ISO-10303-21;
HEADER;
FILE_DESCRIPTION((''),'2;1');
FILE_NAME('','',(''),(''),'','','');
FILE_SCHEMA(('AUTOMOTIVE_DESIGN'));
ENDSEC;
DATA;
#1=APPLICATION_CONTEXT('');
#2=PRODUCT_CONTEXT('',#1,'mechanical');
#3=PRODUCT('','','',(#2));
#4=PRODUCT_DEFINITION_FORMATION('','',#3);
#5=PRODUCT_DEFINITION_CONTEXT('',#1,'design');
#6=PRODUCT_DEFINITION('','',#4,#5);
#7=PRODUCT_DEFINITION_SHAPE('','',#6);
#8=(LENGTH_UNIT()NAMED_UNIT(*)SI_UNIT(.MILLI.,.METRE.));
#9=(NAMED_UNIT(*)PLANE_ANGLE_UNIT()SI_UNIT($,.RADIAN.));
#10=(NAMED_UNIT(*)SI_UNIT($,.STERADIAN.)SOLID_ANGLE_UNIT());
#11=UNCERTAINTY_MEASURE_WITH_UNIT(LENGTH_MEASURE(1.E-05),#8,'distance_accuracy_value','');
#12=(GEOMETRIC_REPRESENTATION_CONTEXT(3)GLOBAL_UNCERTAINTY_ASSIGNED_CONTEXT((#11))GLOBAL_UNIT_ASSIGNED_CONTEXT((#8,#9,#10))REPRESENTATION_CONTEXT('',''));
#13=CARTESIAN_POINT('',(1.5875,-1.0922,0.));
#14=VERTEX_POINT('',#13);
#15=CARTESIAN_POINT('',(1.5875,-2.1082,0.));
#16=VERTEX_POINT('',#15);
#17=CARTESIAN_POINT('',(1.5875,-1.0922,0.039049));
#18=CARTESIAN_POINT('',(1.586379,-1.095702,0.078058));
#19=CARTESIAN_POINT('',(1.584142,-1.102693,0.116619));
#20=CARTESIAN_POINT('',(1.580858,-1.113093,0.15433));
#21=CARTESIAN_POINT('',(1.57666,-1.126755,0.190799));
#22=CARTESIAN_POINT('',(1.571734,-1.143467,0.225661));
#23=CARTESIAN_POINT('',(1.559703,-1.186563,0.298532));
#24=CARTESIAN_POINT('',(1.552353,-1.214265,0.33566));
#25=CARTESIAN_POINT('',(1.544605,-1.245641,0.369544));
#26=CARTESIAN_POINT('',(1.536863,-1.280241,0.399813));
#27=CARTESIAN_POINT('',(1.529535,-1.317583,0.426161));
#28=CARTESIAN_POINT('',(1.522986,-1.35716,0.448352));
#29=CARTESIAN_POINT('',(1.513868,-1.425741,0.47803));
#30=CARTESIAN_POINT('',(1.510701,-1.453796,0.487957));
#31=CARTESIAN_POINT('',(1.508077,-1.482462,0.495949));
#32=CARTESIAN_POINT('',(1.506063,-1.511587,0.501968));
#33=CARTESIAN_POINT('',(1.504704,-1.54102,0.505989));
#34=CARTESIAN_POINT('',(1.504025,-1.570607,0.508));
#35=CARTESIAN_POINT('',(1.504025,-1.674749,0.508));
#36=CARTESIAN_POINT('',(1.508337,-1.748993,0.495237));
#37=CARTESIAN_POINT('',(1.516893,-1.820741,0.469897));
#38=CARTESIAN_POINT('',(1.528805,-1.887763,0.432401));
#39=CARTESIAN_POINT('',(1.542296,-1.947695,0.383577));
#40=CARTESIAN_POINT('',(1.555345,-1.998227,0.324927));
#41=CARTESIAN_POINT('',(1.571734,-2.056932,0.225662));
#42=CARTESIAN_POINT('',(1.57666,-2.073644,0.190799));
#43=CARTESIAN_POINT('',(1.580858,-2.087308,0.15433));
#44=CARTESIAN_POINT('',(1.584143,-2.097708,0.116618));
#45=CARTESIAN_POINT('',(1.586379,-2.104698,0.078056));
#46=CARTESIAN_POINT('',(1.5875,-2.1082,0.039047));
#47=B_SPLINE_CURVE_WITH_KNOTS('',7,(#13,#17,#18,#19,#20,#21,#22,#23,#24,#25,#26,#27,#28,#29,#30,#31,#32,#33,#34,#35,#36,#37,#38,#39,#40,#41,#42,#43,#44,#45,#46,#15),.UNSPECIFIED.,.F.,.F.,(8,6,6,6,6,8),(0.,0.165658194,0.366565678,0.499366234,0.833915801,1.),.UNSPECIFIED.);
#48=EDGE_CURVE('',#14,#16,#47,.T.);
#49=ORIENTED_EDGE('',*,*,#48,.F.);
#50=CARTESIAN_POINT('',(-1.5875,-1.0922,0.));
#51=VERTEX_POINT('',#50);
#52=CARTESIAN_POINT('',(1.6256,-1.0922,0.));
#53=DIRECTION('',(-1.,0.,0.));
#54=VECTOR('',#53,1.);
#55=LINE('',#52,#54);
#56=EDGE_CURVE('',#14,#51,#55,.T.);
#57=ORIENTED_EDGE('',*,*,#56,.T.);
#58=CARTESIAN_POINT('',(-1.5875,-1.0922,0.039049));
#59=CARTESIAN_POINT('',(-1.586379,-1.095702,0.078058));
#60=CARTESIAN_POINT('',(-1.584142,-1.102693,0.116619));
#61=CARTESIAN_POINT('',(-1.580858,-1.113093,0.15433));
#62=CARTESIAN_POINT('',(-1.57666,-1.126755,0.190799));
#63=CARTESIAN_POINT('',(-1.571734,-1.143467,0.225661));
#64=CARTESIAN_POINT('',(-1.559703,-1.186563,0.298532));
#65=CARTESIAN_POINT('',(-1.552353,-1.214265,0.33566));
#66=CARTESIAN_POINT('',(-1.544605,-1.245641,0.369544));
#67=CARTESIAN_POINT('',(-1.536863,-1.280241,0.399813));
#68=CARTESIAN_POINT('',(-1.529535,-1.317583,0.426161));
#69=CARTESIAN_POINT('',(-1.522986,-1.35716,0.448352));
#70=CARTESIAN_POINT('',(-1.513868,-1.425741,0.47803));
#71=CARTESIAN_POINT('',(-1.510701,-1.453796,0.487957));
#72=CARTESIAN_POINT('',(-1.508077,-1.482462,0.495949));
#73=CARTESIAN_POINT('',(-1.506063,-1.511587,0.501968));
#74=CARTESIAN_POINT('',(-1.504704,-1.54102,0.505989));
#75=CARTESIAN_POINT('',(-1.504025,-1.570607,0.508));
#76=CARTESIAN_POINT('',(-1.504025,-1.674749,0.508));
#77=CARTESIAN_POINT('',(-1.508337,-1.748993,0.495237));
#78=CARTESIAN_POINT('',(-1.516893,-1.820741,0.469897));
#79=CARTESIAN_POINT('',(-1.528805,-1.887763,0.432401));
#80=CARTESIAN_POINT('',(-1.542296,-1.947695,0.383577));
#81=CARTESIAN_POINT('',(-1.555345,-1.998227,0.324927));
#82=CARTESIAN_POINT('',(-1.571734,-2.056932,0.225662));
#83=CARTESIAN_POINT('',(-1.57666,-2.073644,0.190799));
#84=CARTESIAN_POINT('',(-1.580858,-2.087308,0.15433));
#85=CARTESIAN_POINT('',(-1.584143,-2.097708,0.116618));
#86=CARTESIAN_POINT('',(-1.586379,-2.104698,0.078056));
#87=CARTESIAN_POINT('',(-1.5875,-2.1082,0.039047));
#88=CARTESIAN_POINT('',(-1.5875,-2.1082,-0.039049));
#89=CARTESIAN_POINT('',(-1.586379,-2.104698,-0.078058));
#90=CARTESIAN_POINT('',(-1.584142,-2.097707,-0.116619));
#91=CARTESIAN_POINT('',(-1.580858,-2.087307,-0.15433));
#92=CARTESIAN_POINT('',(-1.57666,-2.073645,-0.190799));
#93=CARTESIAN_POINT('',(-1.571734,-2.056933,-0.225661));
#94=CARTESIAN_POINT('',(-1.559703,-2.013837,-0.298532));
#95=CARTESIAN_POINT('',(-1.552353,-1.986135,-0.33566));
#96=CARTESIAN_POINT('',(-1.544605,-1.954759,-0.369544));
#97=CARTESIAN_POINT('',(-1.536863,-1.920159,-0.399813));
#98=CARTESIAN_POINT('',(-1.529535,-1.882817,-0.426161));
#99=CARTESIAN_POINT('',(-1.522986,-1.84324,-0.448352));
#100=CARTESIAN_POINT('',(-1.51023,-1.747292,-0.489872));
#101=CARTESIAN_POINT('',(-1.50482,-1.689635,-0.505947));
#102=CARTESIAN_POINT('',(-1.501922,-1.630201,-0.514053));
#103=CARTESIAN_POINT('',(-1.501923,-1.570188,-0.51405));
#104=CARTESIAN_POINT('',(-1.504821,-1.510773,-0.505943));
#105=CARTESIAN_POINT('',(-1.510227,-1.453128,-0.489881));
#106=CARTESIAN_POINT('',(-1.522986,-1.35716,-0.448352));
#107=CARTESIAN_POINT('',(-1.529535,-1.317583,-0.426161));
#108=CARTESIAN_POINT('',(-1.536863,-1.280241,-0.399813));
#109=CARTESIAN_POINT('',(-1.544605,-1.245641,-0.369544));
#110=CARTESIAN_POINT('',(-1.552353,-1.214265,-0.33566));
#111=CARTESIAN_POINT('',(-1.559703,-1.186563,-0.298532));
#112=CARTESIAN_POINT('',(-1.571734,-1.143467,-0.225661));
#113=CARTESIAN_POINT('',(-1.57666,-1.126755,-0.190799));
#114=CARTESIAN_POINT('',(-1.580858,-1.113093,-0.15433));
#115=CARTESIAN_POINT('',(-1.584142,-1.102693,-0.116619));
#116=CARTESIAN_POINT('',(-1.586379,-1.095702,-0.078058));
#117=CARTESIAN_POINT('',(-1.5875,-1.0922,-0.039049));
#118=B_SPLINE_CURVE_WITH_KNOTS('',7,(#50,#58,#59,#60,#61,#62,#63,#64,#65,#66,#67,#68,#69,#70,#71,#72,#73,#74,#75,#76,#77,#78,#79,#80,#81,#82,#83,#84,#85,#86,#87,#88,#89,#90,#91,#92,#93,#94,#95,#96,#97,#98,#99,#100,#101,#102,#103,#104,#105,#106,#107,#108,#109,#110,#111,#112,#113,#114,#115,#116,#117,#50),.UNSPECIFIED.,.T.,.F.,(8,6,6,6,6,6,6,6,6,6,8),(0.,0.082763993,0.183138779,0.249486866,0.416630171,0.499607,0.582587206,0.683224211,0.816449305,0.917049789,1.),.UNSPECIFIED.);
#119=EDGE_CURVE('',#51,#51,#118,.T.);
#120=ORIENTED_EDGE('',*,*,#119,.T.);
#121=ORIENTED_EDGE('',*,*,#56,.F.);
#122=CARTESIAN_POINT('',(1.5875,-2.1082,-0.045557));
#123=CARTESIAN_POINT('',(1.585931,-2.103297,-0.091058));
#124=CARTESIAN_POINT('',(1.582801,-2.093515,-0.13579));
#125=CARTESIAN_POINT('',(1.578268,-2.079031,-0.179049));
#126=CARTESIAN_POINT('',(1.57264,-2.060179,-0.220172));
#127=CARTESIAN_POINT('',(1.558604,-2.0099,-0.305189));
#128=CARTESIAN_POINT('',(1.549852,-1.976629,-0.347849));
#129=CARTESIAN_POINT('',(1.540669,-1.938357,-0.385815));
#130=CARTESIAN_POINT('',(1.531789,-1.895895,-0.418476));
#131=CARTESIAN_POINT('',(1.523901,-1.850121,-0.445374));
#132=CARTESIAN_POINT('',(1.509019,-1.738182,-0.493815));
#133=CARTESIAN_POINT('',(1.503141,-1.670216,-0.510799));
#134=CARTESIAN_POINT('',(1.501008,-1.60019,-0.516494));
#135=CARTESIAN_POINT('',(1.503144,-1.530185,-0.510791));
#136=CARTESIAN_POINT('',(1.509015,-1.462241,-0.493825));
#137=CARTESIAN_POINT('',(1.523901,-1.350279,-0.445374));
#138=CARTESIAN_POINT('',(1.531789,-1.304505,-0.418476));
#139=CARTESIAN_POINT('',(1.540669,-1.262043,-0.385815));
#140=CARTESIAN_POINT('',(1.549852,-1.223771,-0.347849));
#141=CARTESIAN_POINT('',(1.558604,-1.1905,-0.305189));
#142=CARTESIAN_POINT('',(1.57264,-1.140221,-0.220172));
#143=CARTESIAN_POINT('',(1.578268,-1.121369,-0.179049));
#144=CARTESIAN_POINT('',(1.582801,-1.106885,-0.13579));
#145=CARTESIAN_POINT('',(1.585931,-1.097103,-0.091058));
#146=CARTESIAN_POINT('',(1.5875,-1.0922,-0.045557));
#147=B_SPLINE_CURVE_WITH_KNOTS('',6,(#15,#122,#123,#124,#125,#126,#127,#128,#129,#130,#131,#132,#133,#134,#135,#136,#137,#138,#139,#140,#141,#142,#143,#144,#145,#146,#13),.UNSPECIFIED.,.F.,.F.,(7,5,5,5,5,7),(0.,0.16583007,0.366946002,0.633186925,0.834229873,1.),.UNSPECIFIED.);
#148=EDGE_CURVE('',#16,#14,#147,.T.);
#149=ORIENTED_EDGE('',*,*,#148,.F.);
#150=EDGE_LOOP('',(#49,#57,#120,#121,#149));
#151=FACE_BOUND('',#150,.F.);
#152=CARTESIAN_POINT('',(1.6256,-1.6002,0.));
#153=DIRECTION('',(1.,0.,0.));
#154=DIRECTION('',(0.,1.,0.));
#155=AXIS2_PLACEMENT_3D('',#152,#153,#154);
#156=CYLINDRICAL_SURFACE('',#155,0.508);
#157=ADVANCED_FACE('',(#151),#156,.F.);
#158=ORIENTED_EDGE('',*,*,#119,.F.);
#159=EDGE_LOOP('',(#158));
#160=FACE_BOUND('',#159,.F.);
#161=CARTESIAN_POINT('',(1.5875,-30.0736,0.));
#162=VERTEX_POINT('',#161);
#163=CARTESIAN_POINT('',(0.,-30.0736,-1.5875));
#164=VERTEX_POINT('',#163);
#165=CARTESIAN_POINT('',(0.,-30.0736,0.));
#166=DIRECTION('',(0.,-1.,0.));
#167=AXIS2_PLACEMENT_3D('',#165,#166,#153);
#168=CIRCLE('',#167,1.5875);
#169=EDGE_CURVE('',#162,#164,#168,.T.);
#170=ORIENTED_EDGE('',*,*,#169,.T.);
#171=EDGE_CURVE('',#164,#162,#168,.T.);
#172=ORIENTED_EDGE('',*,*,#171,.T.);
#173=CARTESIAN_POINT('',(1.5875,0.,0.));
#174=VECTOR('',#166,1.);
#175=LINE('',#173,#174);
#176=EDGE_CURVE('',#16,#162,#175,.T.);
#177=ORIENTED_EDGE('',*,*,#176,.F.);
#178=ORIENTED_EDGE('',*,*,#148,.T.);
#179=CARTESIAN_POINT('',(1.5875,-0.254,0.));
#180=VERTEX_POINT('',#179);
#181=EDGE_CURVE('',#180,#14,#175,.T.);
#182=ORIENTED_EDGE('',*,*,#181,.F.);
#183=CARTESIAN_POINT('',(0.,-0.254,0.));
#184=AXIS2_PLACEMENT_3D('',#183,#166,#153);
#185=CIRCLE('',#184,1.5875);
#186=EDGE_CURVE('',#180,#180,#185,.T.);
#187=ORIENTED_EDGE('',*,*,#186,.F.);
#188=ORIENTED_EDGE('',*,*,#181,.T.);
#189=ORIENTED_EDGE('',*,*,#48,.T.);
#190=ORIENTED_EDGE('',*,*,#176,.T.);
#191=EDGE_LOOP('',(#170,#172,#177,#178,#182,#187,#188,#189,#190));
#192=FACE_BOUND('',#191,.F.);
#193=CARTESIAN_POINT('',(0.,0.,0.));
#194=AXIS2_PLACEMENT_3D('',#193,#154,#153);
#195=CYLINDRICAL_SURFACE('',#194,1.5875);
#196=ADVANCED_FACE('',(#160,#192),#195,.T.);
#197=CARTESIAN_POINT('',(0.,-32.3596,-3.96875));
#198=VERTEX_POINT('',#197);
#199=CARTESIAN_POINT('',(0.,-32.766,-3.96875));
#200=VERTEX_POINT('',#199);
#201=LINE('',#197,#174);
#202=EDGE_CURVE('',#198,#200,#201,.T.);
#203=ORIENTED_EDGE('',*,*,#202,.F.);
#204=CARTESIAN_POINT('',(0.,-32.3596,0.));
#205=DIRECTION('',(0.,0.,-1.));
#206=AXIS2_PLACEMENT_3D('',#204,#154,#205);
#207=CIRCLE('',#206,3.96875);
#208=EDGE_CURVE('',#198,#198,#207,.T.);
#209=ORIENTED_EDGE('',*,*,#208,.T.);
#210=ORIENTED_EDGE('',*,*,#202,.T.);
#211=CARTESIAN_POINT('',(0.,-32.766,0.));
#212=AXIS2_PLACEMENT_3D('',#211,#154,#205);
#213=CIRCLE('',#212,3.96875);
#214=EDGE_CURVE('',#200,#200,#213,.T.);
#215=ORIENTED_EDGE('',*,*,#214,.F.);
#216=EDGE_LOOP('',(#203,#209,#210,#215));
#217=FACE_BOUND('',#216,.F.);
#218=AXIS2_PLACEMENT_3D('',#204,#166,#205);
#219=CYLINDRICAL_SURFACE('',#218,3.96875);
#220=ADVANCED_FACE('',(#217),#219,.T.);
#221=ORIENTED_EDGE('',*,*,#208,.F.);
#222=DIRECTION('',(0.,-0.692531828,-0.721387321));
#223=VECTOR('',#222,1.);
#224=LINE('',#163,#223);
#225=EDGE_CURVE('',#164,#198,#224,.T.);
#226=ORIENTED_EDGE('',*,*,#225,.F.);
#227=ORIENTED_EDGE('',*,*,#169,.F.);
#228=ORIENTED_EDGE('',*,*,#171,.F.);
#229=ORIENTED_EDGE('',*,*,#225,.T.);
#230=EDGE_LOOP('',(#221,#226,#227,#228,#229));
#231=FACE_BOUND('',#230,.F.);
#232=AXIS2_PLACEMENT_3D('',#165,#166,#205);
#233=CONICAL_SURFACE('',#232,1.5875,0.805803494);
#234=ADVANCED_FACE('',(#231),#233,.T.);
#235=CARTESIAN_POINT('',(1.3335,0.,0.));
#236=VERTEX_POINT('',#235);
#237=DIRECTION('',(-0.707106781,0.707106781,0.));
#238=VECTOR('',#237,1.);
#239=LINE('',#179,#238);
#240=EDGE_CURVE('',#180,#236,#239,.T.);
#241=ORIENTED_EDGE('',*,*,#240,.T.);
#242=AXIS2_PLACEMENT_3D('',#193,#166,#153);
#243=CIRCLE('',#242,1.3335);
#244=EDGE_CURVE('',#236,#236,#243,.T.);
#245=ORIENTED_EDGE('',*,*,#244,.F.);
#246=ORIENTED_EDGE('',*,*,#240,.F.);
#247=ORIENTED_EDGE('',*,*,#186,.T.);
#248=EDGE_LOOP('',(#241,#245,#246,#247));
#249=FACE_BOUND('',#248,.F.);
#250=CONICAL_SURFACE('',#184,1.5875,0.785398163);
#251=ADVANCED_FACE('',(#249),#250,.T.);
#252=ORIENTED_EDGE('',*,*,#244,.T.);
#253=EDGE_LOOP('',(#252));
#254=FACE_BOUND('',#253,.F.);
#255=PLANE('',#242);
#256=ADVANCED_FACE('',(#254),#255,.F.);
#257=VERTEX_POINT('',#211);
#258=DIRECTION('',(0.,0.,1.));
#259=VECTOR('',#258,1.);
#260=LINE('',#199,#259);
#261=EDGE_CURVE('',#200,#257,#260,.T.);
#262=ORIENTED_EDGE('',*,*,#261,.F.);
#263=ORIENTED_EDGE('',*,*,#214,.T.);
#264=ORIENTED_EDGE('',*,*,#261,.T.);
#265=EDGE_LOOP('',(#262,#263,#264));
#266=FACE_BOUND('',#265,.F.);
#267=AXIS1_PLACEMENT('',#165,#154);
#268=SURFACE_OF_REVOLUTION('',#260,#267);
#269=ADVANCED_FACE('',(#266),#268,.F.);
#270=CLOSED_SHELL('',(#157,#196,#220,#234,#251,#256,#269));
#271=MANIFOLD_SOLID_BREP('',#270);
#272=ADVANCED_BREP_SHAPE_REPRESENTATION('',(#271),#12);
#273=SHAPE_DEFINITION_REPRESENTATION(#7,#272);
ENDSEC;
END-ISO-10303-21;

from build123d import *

# Parameters (mm, degrees)
F0_R     = 1.5875
F1_DEPTH = 30.0736
F2_SIZE  = 0.254
F6_R     = 0.508
F7_DEPTH = 5.59535


with BuildPart() as f1:
    # F0 (on Front) → F1 (new body)
    with BuildSketch(Plane.XZ):
        Circle(F0_R)
    extrude(amount=F1_DEPTH)

    # F2
    f2_edges = [f1.edges().sort_by_distance(p)[0] for p in [
        (-1.5875, 0, 0),
    ]]
    chamfer(f2_edges, length=F2_SIZE)

    # F4: sweep along a path in F4_path
    with BuildLine(Plane(origin=(1.5875, -30.0736, 0), x_dir=(0, 0, -1), z_dir=(0, 1, 0))) as f4_path:
        CenterArc((0, 1.5875), 1.5875, 0, 360)
    # F3 (on Right) → F4 (sweep)
    with BuildSketch(Plane.YZ):
        Polygon((-30.0736, 0), (-30.0736, 1.5875), (-32.3596, 3.96875), (-32.766, 3.96875), (-32.766, 0), align=None)
    sweep(path=f4_path.line)

    # F6 (on offset) → F7 (cut, through all)
    with BuildSketch(Plane.YZ.offset(1.6256)):
        with Locations((-1.6002, 0)):
            Circle(F6_R)
    extrude(amount=-F7_DEPTH, mode=Mode.SUBTRACT)


solid = f1.part
